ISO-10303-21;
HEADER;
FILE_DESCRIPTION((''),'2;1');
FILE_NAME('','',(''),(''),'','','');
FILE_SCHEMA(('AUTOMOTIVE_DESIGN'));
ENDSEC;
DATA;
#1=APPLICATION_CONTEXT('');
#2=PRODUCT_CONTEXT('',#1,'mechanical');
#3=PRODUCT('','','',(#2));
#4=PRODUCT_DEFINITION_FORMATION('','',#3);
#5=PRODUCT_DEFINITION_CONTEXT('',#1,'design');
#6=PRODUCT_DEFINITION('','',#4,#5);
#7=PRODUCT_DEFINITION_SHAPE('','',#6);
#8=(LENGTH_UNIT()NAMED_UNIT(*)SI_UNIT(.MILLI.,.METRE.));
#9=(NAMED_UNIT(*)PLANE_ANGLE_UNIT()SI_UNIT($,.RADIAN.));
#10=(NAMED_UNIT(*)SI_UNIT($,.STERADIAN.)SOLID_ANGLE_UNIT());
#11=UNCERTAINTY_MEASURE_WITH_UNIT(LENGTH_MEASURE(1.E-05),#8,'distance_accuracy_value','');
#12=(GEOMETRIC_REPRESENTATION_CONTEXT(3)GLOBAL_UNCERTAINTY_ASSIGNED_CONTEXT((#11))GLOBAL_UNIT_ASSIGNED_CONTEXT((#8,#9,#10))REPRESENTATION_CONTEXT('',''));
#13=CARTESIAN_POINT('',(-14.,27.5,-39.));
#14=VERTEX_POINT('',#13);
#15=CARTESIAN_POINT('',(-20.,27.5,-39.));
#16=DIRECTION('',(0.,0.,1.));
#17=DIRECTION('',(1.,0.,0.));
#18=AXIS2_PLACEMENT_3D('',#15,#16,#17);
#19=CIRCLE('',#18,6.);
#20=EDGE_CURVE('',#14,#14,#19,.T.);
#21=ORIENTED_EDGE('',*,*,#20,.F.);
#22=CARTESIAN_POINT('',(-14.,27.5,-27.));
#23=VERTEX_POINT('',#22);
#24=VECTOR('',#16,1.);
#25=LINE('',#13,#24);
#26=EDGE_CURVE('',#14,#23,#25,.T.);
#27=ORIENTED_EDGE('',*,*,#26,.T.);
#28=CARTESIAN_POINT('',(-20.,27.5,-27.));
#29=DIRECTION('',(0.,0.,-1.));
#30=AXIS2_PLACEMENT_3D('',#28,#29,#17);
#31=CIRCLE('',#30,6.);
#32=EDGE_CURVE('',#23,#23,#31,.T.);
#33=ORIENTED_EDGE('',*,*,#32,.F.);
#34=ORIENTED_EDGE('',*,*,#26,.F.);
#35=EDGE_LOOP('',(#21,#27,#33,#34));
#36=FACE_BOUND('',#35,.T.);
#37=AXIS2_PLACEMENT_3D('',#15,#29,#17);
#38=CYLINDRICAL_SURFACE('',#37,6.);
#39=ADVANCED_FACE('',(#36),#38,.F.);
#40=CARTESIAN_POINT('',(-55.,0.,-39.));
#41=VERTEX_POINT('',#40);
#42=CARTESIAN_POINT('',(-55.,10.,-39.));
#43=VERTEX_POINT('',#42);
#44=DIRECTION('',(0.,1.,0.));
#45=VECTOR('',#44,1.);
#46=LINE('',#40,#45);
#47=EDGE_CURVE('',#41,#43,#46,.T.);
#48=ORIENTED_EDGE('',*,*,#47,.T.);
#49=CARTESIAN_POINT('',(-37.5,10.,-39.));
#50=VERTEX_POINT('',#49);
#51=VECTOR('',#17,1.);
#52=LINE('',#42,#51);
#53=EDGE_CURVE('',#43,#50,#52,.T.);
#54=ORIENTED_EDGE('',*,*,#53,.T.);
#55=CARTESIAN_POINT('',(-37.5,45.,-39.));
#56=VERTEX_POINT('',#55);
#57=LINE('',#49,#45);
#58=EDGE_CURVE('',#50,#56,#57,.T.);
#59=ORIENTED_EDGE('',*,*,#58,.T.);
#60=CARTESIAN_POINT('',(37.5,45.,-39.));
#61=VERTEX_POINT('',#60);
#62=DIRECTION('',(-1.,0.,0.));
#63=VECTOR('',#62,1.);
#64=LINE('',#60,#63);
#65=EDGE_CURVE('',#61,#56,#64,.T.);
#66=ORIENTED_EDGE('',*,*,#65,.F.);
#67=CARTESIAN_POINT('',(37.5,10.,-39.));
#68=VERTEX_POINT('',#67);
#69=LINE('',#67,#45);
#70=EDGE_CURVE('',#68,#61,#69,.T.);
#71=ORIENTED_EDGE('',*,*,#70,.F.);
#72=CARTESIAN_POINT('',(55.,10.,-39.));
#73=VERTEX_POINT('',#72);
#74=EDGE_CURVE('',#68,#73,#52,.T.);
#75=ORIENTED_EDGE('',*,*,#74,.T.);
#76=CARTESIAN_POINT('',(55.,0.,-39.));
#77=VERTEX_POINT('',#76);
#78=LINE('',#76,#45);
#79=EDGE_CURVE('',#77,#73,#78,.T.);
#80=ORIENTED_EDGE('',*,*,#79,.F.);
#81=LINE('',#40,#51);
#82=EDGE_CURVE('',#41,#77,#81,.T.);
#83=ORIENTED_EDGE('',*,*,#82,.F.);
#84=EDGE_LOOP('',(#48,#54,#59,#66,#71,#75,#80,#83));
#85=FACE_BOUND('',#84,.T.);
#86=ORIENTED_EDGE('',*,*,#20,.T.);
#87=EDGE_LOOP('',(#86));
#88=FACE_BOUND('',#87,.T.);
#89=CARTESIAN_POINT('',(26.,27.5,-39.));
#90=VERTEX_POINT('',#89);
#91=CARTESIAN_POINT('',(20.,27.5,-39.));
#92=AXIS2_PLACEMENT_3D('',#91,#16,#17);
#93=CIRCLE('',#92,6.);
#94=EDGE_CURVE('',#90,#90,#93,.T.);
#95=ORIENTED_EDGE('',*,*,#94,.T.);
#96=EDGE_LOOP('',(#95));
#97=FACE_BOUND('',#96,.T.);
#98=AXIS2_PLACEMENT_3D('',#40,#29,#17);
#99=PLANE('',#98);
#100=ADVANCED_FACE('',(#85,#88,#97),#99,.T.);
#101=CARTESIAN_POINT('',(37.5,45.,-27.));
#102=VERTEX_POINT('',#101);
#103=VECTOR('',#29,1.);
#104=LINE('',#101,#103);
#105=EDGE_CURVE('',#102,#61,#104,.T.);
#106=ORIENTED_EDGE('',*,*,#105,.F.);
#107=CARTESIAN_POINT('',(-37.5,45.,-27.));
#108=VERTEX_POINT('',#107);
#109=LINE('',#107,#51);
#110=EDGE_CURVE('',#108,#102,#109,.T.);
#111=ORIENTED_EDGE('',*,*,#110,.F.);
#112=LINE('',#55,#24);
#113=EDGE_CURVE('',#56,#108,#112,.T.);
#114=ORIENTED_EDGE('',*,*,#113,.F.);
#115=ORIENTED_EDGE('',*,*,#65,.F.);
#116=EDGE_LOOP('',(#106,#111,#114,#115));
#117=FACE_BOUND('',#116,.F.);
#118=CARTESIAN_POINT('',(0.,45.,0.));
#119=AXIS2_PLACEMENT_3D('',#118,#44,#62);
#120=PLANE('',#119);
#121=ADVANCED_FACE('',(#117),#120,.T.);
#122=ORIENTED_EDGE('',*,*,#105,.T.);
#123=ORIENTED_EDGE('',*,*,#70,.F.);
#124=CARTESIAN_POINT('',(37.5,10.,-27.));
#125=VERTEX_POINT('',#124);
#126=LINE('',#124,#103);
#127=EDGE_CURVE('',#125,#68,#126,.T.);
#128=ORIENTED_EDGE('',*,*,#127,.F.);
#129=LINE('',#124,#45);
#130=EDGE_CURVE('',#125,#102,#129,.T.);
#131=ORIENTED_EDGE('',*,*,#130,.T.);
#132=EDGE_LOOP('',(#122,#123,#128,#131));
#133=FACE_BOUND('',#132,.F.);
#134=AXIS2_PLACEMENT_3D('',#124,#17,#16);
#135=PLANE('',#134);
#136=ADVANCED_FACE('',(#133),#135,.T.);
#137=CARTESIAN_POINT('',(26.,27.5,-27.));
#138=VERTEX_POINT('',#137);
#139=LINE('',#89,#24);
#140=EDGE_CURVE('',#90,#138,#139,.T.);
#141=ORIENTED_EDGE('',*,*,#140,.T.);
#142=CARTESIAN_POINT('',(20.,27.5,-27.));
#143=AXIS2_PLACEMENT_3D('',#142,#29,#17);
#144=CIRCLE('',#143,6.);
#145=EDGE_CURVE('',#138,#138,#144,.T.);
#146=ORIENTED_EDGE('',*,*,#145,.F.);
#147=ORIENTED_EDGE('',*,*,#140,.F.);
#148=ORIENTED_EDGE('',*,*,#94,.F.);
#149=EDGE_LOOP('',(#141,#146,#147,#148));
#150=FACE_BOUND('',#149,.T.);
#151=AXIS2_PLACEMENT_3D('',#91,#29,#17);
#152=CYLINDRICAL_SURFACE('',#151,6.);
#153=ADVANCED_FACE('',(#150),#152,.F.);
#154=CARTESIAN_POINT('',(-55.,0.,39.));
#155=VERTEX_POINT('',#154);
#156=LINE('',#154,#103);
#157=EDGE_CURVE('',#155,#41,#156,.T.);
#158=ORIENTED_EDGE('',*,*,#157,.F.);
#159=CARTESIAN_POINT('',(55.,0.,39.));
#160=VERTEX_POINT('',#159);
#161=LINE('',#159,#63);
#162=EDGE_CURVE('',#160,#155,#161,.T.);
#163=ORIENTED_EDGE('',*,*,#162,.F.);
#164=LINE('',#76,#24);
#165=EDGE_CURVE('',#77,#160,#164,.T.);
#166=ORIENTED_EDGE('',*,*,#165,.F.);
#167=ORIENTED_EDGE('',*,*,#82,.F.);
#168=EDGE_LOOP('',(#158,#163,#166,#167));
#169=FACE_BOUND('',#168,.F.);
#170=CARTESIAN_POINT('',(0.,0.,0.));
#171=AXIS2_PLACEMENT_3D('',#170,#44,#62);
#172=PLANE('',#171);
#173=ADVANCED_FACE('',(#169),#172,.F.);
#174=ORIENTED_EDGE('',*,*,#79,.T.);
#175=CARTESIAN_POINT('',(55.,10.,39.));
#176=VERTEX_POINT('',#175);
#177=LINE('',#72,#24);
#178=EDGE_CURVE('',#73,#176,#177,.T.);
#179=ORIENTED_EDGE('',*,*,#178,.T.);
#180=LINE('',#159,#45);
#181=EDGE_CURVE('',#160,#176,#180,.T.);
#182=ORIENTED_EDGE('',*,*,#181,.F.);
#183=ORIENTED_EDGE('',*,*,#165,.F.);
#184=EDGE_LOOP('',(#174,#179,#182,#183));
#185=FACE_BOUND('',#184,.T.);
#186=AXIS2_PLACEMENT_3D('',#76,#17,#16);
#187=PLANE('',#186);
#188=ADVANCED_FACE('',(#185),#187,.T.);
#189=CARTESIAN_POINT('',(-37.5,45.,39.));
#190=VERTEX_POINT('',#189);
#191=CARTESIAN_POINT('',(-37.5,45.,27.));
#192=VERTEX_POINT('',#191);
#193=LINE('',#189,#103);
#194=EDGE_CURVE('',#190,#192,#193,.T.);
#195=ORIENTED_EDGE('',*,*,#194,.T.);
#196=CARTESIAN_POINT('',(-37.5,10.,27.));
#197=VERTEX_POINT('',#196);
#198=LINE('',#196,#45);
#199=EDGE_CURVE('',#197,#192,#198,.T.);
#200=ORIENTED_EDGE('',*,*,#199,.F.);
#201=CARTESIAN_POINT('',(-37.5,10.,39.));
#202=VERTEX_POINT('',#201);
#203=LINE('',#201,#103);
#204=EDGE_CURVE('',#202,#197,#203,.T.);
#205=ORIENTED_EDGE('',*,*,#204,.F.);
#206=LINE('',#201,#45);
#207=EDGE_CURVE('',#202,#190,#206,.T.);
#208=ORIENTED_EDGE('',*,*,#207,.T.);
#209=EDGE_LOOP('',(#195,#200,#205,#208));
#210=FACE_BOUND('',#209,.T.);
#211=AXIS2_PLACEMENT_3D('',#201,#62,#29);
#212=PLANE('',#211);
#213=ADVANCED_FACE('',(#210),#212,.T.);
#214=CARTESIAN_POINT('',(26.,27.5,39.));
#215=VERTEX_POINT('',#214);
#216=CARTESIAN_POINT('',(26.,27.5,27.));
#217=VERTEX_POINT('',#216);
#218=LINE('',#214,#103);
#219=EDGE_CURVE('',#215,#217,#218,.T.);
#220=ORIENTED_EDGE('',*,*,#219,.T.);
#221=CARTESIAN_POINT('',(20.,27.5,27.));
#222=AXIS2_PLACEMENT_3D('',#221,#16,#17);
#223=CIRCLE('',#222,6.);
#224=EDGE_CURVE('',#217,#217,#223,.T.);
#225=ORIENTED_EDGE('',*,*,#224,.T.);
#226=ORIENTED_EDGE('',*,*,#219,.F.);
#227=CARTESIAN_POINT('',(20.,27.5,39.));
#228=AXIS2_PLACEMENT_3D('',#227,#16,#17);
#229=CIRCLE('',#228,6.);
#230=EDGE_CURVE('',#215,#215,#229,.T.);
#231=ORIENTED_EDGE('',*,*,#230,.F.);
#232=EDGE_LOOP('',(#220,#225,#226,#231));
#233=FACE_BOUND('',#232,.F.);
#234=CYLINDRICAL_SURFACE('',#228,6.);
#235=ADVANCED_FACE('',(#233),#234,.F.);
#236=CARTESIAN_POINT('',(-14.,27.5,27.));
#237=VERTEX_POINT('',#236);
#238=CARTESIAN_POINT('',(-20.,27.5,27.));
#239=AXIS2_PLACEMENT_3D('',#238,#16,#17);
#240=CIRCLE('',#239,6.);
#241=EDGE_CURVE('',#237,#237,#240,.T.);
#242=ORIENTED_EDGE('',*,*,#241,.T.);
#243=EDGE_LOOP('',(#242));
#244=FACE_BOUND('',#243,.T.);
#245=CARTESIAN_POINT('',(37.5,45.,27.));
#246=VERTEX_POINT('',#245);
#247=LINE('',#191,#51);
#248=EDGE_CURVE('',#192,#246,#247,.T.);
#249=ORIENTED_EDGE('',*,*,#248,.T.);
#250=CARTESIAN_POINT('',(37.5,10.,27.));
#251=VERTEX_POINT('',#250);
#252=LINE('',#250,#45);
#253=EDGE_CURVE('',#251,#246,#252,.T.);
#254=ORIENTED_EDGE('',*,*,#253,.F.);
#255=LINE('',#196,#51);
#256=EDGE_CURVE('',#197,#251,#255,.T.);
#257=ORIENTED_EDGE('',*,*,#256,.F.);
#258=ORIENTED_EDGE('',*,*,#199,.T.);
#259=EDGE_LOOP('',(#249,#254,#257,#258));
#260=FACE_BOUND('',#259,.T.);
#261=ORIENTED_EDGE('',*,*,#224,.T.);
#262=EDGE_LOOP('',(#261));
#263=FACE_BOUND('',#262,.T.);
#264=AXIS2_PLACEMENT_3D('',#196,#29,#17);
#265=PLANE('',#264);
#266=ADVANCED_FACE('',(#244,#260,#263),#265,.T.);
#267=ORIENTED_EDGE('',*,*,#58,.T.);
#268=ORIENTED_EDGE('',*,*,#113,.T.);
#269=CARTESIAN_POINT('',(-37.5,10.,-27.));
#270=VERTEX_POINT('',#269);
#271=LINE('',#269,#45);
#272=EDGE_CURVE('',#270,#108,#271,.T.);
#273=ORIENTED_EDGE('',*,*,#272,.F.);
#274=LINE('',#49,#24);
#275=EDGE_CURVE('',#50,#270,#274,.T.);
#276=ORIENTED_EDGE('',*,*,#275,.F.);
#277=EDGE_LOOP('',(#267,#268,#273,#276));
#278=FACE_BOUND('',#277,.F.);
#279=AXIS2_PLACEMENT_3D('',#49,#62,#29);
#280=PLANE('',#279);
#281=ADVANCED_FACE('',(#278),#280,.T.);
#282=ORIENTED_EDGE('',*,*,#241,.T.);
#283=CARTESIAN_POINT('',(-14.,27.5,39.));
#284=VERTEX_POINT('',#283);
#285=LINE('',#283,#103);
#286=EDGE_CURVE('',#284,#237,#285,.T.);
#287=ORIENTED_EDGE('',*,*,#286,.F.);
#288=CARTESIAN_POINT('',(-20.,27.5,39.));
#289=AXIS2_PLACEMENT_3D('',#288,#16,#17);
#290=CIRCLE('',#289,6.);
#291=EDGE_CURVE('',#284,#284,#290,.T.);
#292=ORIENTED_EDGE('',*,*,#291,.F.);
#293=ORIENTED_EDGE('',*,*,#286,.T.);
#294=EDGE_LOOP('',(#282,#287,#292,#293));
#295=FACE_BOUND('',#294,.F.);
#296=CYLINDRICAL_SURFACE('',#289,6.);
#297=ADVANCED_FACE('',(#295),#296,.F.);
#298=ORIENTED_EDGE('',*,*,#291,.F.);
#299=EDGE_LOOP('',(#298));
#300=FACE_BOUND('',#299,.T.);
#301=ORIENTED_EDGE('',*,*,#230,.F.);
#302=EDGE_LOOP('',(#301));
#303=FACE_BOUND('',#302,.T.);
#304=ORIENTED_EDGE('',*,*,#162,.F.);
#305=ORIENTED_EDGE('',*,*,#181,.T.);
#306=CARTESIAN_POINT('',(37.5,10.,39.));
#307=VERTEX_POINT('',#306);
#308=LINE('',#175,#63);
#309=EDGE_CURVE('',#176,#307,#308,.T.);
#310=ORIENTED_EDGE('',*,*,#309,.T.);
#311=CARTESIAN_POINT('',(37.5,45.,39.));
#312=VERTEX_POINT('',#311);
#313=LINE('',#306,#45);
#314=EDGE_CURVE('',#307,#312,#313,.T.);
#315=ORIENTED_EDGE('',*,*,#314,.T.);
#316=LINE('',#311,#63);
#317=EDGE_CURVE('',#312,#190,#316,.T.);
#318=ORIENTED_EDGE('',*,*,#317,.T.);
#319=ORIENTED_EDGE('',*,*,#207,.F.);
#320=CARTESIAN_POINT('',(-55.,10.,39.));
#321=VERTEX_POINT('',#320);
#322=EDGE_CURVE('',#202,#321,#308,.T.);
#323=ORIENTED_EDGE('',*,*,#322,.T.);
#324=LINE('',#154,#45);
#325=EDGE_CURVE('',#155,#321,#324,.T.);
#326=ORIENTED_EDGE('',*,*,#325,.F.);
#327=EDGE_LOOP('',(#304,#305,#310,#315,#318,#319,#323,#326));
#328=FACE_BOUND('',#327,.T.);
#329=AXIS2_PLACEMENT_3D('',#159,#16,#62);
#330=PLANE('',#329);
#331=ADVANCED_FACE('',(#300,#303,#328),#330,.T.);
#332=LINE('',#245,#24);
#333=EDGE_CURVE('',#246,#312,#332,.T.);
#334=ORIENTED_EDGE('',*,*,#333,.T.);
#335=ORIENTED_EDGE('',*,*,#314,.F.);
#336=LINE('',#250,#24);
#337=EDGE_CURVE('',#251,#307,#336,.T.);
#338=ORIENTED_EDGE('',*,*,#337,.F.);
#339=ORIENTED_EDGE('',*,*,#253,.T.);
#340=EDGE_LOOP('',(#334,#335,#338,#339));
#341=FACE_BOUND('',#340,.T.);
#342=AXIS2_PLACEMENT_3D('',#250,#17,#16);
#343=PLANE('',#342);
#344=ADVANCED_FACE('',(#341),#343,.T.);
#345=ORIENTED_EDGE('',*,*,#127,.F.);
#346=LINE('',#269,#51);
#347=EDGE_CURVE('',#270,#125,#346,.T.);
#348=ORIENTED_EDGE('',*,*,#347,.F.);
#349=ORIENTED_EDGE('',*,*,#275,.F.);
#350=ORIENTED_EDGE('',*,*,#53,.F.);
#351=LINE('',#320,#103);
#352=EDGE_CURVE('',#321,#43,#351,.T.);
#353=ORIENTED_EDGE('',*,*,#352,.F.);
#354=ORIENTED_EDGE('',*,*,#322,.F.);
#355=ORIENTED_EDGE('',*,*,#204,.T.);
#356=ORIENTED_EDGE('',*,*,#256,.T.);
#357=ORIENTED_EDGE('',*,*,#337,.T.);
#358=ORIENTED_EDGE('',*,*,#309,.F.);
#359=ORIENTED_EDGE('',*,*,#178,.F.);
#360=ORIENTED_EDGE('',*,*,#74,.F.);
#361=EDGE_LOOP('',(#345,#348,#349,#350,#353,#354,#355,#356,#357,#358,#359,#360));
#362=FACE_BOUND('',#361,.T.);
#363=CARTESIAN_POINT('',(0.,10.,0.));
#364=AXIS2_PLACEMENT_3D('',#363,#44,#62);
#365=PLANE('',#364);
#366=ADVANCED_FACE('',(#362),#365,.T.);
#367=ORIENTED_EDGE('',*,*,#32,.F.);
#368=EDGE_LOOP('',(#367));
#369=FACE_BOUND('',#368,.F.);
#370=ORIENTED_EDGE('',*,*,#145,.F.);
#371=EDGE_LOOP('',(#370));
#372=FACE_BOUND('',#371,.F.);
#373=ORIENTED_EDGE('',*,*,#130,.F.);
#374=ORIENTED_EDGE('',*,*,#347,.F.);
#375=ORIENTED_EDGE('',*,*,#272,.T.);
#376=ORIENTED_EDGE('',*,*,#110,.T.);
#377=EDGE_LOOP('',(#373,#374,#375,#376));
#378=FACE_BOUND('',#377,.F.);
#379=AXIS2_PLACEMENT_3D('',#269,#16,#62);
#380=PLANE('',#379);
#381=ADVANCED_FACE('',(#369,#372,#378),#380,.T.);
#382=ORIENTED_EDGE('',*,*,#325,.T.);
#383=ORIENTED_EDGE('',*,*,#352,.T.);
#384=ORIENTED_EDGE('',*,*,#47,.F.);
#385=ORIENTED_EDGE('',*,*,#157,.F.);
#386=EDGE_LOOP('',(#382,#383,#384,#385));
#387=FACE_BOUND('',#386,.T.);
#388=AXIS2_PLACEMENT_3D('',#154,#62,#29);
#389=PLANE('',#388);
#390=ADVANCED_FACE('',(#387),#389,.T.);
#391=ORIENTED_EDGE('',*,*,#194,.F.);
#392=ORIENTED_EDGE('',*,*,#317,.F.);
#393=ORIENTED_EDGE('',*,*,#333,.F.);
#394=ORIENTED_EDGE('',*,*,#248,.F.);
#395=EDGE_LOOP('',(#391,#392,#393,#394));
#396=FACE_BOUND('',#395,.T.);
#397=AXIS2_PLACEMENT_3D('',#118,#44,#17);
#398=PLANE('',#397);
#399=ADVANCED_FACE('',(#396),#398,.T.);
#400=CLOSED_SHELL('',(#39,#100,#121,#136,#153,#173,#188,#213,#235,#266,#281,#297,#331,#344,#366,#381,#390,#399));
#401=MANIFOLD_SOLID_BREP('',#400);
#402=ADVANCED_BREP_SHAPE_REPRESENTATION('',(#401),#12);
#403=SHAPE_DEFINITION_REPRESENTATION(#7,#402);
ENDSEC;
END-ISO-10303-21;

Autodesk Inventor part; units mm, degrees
ref_plane "YZ Plane" through (0, 0, 0) normal (1, 0, 0) x (0, 1, 0)
ref_plane "XZ Plane" through (0, 0, 0) normal (0, 1, 0) x (-1, 0, 0)
ref_plane "XY Plane" through (0, 0, 0) normal (0, 0, 1) x (1, 0, 0)
sketch "Sketch1" plane through (0, 0, 0) normal (0, 1, 0) x (-1, 0, 0)
  line L0 (55, 39) -> (55, -39)
  line L1 (55, -39) -> (-55, -39)
  line L2 (-55, -39) -> (-55, 39)
  line L3 (-55, 39) -> (55, 39)
  point P0 (0, 0)
  dimension "d0" = 78
  dimension "d1" = 110
  dimension "d2" = 55
  dimension "d3" = 39
extrude "Extrusion1" add sketch "Sketch1" along normal blind 10
sketch "Sketch2" plane through (0, 10, 0) normal (0, 1, 0) x (1, 0, 0)
  line L0 (-37.5, -39) -> (-37.5, -27)
  line L1 (-37.5, -27) -> (37.5, -27)
  line L2 (37.5, -27) -> (37.5, -39)
  line L3 (37.5, -39) -> (-37.5, -39)
  line L4 (-55, -39) -> (55, -39) projected
  point P0 (0, 0)
  point P1 (-37.5, -33)
  dimension "d6" = 12
  dimension "d8" = 37.5
  dimension "d9" = 75
  dimension "d14" = 33
extrude "Extrusion2" add sketch "Sketch2" along normal blind 35
sketch "Sketch3" plane through (-37.5, 45, 39) normal (0, 0, 1) x (1, 0, 0)
  circle A0 centre (17.5, -17.5) radius 6
  circle A1 centre (57.5, -17.5) radius 6
  line L0 (-17.5, -45) -> (92.5, -45) projected
  line L1 (0, 0) -> (75, 0) projected
  point P0 (37.5, -45)
  point P1 (37.5, 0)
  dimension "d16" = 12
  dimension "d17" = 12
  dimension "d18" = 27.5
  dimension "d19" = 27.5
  dimension "d20" = 40
  dimension "d21" = 20
extrude "Extrusion3" cut sketch "Sketch3" against normal blind 80
mirror "Mirror1" about plane through (0, 0, 0) normal (0, 0, 1) of "Extrusion2", "Extrusion3"
thread "Thread9" size "M12x1.75" class "6H" standard "ANSI Metric M Profile" length 350
thread "Thread13" size "M12x1.75" class "6H" standard "ANSI Metric M Profile" length 600
thread "Thread14" size "M12x1.75" class "6H" standard "ANSI Metric M Profile" length 600
thread "Thread15" size "M12x1.75" class "6H" standard "ANSI Metric M Profile" length 600
properties part number "Base Macaco" material "Steel AISI 4142 380 QT"
